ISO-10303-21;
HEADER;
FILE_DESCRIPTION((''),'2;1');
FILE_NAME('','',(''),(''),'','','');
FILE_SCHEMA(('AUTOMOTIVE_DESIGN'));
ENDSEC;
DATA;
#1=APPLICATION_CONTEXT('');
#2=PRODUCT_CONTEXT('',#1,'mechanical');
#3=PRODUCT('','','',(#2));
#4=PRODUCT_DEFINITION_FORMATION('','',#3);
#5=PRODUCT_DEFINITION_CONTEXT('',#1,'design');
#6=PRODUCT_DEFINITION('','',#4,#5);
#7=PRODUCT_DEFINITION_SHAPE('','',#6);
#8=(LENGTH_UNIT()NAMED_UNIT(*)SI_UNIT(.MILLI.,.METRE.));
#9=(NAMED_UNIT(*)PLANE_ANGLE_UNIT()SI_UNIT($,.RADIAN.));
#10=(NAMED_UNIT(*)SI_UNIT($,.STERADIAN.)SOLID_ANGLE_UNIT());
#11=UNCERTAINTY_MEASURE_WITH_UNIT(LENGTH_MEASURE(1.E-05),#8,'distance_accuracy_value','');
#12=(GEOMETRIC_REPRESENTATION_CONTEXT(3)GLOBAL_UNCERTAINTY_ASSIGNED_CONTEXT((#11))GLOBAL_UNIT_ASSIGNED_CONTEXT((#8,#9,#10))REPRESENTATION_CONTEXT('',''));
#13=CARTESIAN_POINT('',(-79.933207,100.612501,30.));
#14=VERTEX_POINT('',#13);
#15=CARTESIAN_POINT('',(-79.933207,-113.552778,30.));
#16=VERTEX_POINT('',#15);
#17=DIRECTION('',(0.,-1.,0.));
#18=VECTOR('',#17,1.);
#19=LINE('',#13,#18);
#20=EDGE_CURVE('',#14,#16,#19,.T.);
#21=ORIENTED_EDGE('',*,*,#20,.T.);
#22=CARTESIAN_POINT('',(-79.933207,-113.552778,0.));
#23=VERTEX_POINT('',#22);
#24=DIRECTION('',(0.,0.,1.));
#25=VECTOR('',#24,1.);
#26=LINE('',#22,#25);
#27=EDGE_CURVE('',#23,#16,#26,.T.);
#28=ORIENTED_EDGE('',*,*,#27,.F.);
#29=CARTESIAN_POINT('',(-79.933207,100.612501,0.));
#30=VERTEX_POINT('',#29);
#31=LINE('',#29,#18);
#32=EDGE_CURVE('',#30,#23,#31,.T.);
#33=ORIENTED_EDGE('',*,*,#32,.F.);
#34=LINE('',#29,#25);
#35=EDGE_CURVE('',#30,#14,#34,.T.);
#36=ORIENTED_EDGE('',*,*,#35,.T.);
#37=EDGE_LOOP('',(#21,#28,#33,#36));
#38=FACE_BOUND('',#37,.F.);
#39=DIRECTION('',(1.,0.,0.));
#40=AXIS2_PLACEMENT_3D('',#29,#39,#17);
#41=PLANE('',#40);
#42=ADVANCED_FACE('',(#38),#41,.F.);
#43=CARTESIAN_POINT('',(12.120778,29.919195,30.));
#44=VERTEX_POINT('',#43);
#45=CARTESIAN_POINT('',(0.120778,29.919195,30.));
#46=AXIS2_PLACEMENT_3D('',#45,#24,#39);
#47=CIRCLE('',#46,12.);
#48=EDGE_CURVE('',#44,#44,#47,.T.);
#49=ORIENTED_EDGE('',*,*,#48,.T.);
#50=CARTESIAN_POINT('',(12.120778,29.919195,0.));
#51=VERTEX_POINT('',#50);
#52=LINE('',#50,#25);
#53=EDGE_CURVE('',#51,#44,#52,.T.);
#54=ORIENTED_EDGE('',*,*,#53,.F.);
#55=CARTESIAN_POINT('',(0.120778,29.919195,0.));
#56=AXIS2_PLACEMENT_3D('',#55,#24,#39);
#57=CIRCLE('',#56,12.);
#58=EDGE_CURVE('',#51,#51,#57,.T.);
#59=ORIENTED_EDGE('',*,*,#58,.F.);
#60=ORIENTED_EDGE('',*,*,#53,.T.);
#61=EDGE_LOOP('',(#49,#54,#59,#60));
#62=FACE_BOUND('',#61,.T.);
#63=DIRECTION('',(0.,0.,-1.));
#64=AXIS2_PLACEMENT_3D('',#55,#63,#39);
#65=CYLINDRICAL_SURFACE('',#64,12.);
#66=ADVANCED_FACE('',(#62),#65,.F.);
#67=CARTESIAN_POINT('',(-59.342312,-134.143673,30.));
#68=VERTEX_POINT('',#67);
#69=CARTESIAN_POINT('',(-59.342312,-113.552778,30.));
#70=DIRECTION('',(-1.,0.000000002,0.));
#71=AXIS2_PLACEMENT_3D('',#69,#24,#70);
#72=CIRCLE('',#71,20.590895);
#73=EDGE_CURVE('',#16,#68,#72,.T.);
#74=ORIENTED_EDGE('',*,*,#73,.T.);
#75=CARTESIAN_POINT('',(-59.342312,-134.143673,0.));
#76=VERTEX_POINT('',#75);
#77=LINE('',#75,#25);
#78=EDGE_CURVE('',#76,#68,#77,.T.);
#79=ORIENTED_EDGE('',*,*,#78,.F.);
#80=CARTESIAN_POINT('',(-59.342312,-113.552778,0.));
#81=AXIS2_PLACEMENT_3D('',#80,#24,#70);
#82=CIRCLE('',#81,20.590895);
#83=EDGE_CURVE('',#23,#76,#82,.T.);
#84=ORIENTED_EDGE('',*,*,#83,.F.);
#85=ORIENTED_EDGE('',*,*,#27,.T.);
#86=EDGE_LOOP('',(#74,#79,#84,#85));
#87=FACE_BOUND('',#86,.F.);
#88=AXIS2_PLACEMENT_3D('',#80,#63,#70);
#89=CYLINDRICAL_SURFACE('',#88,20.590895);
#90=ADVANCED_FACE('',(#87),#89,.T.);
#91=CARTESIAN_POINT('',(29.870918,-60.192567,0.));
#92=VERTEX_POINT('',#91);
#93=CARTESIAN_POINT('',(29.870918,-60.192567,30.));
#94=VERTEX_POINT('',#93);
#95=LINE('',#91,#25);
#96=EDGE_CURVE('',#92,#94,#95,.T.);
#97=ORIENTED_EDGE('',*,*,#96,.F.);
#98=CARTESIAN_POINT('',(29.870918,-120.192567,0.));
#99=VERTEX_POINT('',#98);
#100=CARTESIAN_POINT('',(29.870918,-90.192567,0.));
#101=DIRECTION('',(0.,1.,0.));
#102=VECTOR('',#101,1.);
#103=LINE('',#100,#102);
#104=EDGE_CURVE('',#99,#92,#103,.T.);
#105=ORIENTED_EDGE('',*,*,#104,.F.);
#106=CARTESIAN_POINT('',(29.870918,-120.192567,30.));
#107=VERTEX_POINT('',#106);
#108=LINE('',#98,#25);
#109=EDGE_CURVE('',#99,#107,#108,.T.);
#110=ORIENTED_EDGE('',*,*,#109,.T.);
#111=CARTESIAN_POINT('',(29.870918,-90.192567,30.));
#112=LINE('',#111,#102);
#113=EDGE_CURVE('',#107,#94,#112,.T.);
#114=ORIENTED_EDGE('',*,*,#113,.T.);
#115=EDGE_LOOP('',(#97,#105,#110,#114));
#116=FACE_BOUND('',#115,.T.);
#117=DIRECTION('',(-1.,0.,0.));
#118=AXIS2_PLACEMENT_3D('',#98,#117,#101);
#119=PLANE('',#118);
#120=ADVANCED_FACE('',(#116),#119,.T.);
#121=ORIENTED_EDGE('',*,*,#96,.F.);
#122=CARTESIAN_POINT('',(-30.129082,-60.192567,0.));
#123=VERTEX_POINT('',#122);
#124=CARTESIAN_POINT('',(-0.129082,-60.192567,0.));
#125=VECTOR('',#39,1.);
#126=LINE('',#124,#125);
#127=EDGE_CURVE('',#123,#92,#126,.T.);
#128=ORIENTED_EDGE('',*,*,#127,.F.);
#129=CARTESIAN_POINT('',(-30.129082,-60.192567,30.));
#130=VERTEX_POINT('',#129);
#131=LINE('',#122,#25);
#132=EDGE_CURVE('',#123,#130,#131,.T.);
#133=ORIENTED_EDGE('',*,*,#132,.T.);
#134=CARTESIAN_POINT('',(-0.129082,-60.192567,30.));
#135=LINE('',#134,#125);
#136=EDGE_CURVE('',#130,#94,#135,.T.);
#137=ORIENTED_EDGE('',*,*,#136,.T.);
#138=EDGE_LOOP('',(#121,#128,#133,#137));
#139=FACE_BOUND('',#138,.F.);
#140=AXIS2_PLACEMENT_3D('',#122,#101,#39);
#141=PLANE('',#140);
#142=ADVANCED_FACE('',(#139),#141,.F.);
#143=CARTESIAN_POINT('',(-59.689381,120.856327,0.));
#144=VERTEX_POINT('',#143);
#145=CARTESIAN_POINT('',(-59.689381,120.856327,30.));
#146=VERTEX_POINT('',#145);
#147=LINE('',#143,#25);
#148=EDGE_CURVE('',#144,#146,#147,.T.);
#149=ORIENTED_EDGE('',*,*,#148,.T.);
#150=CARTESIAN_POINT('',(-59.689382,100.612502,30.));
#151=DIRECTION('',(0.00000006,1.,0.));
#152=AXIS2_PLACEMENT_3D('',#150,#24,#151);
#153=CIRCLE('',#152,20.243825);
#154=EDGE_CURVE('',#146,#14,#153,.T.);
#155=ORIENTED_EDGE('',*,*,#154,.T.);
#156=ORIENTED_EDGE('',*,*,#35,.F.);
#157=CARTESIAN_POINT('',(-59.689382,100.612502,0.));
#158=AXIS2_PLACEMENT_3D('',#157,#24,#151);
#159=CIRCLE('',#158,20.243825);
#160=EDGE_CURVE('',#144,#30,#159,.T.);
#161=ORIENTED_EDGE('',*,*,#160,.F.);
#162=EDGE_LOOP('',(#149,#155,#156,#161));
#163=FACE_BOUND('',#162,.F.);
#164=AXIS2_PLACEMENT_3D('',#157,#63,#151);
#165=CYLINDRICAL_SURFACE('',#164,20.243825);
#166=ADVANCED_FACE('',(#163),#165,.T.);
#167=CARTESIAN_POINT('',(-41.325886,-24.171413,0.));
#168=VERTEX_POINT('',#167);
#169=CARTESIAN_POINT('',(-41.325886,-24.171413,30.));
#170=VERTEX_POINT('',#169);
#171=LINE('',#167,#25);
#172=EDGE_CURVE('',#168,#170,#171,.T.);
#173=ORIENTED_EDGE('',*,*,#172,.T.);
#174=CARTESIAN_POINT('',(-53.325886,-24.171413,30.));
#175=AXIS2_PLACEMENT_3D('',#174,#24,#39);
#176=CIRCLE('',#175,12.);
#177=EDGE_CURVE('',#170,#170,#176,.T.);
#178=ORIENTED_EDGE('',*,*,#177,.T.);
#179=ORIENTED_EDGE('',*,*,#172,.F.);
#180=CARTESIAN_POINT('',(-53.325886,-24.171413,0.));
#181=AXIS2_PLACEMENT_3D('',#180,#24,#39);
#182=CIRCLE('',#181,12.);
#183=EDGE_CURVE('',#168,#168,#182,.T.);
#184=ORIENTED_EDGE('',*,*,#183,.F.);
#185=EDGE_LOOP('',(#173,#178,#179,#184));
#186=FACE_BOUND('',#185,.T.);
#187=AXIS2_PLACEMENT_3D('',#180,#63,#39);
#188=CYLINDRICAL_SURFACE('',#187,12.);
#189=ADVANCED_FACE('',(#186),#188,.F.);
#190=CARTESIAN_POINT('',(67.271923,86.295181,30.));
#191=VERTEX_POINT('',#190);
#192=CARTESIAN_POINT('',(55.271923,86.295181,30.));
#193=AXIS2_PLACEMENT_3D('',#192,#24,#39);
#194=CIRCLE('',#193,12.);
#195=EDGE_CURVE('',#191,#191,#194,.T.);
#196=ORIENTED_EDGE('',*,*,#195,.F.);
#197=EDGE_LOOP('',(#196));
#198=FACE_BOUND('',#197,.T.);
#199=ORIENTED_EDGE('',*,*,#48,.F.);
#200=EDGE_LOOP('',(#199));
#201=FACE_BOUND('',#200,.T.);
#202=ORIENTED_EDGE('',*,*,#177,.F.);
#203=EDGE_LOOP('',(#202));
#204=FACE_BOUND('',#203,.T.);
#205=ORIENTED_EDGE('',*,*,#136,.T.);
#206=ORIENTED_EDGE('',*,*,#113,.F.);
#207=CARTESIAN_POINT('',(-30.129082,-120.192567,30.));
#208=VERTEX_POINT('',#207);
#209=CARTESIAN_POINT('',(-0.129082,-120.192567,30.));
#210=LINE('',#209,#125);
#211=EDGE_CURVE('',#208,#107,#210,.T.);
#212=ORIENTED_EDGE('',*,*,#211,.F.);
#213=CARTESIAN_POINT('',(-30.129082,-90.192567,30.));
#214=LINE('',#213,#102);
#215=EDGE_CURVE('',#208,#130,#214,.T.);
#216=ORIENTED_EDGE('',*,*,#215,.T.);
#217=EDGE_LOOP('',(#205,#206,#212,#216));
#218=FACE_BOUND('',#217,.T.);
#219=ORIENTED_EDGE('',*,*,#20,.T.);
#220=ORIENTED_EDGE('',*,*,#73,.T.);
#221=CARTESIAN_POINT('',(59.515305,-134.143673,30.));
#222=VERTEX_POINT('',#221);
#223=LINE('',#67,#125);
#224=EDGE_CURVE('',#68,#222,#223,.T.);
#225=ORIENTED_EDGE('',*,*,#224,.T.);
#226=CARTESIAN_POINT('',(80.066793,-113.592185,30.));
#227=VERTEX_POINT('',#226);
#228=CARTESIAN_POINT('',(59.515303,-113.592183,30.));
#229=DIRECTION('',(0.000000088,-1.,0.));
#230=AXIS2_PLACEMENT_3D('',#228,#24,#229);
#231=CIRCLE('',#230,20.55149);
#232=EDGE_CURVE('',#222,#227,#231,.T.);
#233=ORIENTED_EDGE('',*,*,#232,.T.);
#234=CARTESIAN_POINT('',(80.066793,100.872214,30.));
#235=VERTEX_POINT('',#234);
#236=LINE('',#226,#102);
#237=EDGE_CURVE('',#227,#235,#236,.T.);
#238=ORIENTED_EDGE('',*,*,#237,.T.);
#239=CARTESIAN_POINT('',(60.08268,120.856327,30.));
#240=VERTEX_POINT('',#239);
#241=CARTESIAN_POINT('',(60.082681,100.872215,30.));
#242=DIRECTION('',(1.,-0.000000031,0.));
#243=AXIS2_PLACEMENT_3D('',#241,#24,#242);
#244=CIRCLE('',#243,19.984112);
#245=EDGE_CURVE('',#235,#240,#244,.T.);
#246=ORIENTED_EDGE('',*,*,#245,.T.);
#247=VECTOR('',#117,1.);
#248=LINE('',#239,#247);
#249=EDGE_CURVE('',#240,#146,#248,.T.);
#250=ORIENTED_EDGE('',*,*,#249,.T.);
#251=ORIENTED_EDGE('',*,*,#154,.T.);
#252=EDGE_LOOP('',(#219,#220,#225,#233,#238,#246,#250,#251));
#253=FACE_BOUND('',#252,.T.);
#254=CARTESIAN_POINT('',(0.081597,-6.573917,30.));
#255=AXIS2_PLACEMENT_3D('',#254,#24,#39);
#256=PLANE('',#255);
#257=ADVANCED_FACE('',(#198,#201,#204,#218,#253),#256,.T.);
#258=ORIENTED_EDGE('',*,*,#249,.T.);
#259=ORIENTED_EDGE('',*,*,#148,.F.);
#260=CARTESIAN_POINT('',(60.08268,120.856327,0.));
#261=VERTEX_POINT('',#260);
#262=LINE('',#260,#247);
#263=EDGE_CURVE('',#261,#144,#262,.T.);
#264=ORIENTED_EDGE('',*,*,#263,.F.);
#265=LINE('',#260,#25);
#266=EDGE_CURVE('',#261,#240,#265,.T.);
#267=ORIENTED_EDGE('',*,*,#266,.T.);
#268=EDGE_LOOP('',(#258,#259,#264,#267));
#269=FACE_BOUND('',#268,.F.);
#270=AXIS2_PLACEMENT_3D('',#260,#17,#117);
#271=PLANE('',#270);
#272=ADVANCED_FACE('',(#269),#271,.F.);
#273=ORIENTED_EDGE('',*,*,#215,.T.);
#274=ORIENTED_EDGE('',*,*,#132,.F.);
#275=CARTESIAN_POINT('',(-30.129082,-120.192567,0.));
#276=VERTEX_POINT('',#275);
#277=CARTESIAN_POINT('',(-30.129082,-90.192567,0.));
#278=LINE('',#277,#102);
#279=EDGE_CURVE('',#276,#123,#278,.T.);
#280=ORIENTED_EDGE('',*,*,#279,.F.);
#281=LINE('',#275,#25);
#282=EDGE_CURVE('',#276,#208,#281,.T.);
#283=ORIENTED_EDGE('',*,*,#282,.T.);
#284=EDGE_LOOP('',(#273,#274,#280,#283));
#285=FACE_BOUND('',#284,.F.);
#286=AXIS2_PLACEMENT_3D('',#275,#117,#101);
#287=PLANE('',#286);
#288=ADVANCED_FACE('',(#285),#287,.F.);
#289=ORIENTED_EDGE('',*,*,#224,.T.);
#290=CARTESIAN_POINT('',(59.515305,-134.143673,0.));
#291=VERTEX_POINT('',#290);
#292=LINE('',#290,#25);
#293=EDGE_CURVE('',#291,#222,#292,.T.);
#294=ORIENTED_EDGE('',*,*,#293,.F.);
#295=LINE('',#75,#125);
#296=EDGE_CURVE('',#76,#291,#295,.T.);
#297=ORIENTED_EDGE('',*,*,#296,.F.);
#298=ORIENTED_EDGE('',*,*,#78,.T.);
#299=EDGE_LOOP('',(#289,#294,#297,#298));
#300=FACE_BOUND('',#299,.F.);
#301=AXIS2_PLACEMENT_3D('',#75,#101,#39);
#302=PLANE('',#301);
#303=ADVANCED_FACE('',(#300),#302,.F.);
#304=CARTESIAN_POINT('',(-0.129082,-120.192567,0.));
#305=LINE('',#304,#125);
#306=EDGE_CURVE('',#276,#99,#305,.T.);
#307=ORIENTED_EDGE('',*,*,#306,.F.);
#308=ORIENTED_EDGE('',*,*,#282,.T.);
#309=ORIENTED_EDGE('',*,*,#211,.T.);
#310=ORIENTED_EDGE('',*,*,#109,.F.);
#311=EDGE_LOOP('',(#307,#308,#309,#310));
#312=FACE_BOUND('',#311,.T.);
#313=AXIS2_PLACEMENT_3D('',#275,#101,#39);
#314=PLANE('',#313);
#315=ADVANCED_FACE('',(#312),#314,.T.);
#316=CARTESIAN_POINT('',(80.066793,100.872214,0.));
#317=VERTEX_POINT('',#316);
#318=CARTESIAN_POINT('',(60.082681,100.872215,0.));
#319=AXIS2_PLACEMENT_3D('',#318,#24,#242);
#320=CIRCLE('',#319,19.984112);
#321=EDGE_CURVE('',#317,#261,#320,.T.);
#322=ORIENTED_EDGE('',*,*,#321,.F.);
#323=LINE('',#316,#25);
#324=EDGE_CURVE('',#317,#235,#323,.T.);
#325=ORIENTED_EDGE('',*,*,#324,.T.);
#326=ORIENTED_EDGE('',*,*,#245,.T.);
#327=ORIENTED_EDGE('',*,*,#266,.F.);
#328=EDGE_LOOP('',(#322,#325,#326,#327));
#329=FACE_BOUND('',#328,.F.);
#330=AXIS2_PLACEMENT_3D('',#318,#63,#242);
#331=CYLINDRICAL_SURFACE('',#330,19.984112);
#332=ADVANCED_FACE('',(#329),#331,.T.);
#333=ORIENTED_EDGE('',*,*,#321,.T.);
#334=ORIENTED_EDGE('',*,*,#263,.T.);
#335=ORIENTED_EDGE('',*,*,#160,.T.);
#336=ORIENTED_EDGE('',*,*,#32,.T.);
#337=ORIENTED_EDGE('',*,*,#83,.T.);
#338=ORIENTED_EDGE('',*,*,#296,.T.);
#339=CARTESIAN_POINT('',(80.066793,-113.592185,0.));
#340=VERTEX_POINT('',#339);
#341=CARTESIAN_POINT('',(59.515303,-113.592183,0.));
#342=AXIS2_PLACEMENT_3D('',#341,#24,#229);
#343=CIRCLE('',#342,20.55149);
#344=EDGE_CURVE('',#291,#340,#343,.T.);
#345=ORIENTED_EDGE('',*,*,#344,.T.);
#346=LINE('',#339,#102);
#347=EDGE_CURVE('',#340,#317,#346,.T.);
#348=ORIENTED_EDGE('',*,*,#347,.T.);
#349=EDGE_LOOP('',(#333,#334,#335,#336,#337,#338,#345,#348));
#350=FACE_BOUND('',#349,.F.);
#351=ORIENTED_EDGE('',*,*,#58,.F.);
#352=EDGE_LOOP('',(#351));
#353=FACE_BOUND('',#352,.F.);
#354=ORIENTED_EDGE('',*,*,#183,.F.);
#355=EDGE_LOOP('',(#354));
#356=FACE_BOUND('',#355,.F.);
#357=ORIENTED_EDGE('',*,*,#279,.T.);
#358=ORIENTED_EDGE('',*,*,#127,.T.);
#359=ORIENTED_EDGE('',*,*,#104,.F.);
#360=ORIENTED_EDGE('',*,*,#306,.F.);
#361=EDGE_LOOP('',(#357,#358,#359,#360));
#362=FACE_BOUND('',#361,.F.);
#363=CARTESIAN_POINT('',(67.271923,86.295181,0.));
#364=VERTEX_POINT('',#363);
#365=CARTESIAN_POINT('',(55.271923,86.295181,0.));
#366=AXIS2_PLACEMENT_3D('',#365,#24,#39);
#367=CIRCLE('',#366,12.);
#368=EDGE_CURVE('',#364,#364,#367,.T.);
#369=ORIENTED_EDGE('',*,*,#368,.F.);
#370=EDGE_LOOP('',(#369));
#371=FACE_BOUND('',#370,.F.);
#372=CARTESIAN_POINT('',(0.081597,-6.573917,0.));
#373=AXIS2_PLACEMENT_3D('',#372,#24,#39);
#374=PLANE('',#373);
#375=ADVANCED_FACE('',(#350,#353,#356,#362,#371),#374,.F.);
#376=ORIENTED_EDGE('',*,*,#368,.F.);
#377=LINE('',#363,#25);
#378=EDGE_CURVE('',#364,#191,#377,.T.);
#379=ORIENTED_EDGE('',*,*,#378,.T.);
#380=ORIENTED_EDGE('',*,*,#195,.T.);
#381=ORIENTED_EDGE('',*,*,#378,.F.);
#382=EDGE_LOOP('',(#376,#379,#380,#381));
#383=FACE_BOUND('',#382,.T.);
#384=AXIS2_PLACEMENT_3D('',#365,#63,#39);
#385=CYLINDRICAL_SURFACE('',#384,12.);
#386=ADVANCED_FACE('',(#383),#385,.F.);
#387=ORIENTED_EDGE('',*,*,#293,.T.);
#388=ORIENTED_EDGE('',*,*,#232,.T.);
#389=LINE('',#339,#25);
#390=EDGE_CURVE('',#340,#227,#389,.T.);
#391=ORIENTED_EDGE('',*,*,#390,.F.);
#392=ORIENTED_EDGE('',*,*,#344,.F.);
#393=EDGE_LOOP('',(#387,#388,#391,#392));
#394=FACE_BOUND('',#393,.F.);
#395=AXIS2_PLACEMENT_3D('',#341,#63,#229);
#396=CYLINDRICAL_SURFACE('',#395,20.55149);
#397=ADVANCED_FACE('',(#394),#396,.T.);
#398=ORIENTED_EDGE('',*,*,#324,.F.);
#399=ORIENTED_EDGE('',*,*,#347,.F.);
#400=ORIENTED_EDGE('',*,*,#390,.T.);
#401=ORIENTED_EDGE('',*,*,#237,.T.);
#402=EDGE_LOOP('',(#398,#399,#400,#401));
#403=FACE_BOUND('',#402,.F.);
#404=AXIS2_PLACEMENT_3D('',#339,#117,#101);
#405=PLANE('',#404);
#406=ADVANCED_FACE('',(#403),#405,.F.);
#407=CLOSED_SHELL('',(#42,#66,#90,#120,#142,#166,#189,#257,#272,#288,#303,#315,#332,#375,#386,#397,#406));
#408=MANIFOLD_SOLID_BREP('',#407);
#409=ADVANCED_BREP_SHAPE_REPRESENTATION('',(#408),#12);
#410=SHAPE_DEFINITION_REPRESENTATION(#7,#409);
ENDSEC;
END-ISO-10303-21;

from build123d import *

# Parameters (mm, degrees)
SKETCH_R     = 12
SKETCH_W     = 60
SKETCH_H     = 60
PAD_DEPTH    = 30
PAD001_DEPTH = 30


with BuildPart() as part:
    # Sketch → Pad (new body)
    with BuildSketch(Plane.XY):
        with BuildLine():
            Line((-59.342312, -134.143673), (59.515305, -134.143673))
            ThreePointArc((59.515305, -134.143673), (74.047401, -128.124281), (80.066793, -113.592185))
            Line((80.066793, -113.592185), (80.066793, 100.872214))
            ThreePointArc((80.066793, 100.872214), (74.213582, 115.003116), (60.08268, 120.856327))
            Line((60.08268, 120.856327), (-59.689381, 120.856327))
            ThreePointArc((-59.689381, 120.856327), (-74.003928, 114.927048), (-79.933207, 100.612501))
            Line((-79.933207, 100.612501), (-79.933207, -113.552778))
            ThreePointArc((-79.933207, -113.552778), (-73.902274, -128.112739), (-59.342312, -134.143673))
        make_face()
        with Locations((0.120778, 29.919195)):
            Circle(SKETCH_R, mode=Mode.SUBTRACT)
        with Locations((-53.325886, -24.171413)):
            Circle(SKETCH_R, mode=Mode.SUBTRACT)
        with Locations((55.271923, 86.295181)):
            Circle(SKETCH_R, mode=Mode.SUBTRACT)
        with Locations((-0.129082, -90.192567)):
            Rectangle(SKETCH_W, SKETCH_H, mode=Mode.SUBTRACT)
    extrude(amount=PAD_DEPTH)

    # Sketch → Pad001 (join)
    with BuildSketch(Plane.XY):
        with BuildLine():
            Line((-59.342312, -134.143673), (59.515305, -134.143673))
            ThreePointArc((59.515305, -134.143673), (74.047401, -128.124281), (80.066793, -113.592185))
            Line((80.066793, -113.592185), (80.066793, 100.872214))
            ThreePointArc((80.066793, 100.872214), (74.213582, 115.003116), (60.08268, 120.856327))
            Line((60.08268, 120.856327), (-59.689381, 120.856327))
            ThreePointArc((-59.689381, 120.856327), (-74.003928, 114.927048), (-79.933207, 100.612501))
            Line((-79.933207, 100.612501), (-79.933207, -113.552778))
            ThreePointArc((-79.933207, -113.552778), (-73.902274, -128.112739), (-59.342312, -134.143673))
        make_face()
        with Locations((0.120778, 29.919195)):
            Circle(SKETCH_R, mode=Mode.SUBTRACT)
        with Locations((-53.325886, -24.171413)):
            Circle(SKETCH_R, mode=Mode.SUBTRACT)
        with Locations((55.271923, 86.295181)):
            Circle(SKETCH_R, mode=Mode.SUBTRACT)
        with Locations((-0.129082, -90.192567)):
            Rectangle(SKETCH_W, SKETCH_H, mode=Mode.SUBTRACT)
    extrude(amount=PAD001_DEPTH)


solid = part.part
